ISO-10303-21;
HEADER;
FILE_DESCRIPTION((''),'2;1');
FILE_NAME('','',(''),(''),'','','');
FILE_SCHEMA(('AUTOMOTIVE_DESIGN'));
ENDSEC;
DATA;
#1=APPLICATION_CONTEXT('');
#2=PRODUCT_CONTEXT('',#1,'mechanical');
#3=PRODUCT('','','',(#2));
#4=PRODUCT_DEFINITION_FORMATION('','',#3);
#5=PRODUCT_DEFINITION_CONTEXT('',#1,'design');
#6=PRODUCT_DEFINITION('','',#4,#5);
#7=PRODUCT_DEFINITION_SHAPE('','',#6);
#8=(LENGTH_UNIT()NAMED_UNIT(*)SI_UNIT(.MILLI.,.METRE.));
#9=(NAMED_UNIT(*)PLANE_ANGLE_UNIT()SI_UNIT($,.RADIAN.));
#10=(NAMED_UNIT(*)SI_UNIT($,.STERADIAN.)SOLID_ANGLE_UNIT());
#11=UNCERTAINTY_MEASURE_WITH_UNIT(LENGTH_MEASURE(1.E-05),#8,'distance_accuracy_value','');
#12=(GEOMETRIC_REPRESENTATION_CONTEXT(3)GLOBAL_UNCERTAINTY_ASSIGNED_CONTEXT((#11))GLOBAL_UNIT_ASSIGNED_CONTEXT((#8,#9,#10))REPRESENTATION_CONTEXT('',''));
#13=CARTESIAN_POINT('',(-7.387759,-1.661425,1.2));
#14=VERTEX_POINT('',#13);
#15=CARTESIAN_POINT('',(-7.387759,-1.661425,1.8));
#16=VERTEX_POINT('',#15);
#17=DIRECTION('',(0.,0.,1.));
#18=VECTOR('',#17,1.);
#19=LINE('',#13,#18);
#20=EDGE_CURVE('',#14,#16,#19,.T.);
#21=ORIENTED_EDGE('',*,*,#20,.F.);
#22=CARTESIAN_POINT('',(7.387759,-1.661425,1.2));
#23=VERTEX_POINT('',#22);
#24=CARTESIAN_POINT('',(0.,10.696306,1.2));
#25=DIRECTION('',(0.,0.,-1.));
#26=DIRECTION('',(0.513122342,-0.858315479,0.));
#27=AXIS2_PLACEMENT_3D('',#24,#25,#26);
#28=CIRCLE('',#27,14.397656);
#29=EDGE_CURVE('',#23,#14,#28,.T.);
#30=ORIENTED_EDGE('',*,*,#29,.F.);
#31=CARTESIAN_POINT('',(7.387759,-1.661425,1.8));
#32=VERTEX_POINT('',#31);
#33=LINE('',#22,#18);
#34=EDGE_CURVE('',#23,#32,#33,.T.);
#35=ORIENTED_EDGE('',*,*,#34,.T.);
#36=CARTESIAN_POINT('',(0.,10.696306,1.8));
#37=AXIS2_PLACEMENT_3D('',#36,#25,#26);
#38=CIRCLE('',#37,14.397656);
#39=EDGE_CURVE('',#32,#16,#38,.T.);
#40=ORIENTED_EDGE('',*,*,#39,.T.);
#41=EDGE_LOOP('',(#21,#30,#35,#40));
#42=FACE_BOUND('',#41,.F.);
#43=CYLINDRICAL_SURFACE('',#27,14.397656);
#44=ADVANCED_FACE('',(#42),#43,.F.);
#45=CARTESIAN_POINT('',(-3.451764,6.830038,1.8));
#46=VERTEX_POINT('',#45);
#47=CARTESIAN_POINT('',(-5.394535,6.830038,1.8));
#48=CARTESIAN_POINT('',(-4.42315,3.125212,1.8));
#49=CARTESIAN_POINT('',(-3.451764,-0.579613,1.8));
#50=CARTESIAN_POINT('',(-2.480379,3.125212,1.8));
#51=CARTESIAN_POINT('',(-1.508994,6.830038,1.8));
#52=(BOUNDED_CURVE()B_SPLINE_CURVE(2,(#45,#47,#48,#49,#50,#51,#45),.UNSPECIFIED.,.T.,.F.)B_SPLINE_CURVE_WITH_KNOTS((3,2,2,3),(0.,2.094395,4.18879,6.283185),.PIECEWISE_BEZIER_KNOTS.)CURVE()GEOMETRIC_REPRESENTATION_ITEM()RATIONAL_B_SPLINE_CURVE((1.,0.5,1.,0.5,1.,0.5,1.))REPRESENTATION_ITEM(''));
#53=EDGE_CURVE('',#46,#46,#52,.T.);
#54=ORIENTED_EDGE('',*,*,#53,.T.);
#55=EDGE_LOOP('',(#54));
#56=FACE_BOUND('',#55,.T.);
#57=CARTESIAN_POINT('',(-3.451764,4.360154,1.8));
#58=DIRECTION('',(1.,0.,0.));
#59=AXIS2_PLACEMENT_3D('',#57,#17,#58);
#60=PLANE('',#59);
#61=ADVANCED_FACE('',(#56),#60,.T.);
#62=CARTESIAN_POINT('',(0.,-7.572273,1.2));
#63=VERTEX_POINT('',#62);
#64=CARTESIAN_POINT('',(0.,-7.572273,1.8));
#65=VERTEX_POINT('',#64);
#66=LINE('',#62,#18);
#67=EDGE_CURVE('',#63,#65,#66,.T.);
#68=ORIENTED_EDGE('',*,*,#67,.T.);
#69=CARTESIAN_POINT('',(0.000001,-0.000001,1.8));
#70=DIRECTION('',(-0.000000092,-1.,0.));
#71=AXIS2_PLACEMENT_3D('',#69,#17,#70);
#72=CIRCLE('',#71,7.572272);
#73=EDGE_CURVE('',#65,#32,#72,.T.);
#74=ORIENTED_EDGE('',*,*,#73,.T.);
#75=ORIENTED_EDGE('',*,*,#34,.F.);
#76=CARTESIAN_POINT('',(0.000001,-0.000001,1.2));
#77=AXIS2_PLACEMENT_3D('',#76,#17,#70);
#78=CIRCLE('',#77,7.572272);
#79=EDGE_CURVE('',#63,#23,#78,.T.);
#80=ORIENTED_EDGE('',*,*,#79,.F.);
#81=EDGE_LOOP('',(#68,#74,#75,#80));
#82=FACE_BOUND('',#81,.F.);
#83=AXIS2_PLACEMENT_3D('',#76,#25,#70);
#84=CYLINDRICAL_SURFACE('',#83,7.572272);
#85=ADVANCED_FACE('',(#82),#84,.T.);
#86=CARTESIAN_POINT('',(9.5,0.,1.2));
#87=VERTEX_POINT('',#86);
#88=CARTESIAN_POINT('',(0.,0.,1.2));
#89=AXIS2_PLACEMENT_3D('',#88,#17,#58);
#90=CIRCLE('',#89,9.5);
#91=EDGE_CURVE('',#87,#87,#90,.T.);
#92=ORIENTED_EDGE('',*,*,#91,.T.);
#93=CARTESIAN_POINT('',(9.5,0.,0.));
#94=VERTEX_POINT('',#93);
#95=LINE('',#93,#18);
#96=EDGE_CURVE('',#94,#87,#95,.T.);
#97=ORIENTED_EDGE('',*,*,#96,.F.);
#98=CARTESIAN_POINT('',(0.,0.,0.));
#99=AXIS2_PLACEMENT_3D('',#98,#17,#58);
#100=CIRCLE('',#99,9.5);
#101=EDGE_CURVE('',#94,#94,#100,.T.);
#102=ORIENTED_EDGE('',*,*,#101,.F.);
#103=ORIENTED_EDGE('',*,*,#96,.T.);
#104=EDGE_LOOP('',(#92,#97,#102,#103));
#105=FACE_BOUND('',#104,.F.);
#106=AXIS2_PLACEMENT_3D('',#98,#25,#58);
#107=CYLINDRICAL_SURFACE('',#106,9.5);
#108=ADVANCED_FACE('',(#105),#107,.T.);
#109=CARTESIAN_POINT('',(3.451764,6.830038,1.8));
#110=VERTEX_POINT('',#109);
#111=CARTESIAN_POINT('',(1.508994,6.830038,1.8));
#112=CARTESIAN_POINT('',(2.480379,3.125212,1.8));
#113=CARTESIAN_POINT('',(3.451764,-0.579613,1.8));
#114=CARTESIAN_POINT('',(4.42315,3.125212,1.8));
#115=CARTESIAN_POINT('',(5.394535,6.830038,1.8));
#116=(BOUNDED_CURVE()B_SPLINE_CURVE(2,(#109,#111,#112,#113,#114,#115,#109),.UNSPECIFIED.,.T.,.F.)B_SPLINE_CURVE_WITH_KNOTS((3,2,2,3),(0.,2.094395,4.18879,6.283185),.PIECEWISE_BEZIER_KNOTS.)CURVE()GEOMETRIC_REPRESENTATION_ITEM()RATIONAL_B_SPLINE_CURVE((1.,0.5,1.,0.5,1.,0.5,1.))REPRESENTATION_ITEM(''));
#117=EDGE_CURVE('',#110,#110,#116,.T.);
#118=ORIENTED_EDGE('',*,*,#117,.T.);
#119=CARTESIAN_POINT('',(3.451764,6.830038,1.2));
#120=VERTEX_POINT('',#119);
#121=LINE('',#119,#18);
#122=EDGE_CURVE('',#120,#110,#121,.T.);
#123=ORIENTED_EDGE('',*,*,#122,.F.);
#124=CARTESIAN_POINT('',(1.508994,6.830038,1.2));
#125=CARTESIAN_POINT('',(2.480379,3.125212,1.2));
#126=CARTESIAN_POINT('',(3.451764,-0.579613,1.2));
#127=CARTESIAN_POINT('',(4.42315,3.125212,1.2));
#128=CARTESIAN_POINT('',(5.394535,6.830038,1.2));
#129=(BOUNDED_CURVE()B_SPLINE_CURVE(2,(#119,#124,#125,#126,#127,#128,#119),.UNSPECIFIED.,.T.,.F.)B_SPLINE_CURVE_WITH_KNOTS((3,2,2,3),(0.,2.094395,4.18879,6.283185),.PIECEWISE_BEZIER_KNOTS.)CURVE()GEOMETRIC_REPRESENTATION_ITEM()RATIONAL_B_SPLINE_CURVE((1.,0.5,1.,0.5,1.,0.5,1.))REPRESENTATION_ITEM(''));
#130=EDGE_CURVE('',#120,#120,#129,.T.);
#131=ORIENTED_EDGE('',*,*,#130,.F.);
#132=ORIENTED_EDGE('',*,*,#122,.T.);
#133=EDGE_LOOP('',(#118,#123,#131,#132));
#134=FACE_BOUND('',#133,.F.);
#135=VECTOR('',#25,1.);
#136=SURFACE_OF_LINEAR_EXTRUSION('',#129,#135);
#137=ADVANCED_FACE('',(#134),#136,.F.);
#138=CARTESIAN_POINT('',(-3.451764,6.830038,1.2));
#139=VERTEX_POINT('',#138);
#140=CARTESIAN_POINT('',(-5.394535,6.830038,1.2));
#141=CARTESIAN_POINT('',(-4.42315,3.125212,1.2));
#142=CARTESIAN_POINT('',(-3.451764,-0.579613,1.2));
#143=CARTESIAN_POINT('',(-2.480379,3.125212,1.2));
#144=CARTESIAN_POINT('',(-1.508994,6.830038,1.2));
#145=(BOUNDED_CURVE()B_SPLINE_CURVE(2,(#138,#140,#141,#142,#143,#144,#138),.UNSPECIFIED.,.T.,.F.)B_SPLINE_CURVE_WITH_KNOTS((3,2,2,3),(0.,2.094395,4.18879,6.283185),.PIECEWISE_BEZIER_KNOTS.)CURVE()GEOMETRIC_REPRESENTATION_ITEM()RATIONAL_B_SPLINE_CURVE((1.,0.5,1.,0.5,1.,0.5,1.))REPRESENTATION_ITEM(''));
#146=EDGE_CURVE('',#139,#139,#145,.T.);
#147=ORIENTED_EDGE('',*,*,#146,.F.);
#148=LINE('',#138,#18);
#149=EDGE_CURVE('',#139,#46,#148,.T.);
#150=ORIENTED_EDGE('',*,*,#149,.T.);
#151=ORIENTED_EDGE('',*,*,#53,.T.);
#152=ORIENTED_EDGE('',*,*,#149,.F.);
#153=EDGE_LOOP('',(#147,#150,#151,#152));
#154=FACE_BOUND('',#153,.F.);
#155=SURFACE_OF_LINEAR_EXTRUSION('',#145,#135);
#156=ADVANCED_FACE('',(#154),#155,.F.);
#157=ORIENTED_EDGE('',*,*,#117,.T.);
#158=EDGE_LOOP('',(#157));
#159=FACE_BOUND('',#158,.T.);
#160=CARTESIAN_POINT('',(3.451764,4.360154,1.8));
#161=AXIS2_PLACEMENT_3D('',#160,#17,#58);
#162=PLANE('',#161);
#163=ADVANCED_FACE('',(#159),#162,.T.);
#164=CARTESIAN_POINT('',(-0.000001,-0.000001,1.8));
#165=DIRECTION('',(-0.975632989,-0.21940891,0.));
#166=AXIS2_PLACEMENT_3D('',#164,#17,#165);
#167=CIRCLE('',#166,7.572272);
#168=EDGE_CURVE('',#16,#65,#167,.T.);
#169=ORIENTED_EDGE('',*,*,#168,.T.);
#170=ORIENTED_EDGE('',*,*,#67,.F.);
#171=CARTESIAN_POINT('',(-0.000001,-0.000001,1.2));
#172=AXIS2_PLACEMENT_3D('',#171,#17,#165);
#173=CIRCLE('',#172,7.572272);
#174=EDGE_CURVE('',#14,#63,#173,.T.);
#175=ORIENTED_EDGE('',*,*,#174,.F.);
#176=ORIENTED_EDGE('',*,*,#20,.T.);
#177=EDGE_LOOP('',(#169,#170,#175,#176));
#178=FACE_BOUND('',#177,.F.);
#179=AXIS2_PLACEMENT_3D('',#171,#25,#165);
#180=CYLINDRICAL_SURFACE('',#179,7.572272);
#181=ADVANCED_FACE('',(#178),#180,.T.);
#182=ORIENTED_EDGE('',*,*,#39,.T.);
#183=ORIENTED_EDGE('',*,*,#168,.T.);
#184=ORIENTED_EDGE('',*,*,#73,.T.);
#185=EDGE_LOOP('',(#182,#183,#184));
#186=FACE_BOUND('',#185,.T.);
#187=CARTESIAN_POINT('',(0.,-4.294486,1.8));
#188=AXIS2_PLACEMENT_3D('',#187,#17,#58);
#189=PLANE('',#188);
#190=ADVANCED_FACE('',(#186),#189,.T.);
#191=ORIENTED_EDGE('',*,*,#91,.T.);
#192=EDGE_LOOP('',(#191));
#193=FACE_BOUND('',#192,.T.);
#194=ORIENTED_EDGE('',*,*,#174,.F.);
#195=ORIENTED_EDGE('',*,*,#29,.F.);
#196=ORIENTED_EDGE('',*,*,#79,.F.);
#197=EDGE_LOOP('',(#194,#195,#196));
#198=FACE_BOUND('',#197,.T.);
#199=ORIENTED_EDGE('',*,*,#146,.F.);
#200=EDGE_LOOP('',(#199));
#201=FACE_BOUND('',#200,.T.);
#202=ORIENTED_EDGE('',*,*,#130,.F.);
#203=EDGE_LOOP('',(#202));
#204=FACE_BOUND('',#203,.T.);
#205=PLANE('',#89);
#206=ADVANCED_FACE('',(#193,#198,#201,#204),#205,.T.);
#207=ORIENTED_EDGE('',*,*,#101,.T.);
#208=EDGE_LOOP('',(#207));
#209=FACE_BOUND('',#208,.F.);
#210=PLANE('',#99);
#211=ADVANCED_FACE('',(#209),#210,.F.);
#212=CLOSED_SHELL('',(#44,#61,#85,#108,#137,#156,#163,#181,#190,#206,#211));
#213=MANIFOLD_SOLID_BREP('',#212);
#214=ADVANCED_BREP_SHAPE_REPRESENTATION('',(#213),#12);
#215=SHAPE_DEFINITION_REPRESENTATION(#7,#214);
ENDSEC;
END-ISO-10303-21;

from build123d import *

# Parameters (mm, degrees)
F0_R     = 9.5
F1_DEPTH = 1.2
F3_DEPTH = 0.6


with BuildPart() as f1:
    # F0 (on Top) → F1 (new body)
    with BuildSketch(Plane.XY):
        Circle(F0_R)
    extrude(amount=F1_DEPTH)

    # F2 (on face) → F3 (join)
    with BuildSketch(Plane.XY.offset(1.2)):
        with BuildLine():
            ThreePointArc((-7.387759, -1.661425), (-4.730674, -5.912702), (0, -7.572273))
            ThreePointArc((0, -7.572273), (4.730674, -5.912702), (7.387759, -1.661425))
            ThreePointArc((7.387759, -1.661425), (0, -3.70135), (-7.387759, -1.661425))
        make_face()
        with BuildLine():
            add(Edge.make_bspline(
                [(-3.451764, 6.830038), (-5.394535, 6.830038), (-4.42315, 3.125212), (-3.451764, -0.579613), (-2.480379, 3.125212), (-1.508994, 6.830038), (-3.451764, 6.830038)],
                knots=[0, 0, 0, 2.094395, 2.094395, 4.18879, 4.18879, 6.283185, 6.283185, 6.283185], degree=2, weights=[1, 0.5, 1, 0.5, 1, 0.5, 1]))
        make_face()
        with BuildLine():
            add(Edge.make_bspline(
                [(3.451764, 6.830038), (1.508994, 6.830038), (2.480379, 3.125212), (3.451764, -0.579613), (4.42315, 3.125212), (5.394535, 6.830038), (3.451764, 6.830038)],
                knots=[0, 0, 0, 2.094395, 2.094395, 4.18879, 4.18879, 6.283185, 6.283185, 6.283185], degree=2, weights=[1, 0.5, 1, 0.5, 1, 0.5, 1]))
        make_face()
    extrude(amount=F3_DEPTH)


solid = f1.part
